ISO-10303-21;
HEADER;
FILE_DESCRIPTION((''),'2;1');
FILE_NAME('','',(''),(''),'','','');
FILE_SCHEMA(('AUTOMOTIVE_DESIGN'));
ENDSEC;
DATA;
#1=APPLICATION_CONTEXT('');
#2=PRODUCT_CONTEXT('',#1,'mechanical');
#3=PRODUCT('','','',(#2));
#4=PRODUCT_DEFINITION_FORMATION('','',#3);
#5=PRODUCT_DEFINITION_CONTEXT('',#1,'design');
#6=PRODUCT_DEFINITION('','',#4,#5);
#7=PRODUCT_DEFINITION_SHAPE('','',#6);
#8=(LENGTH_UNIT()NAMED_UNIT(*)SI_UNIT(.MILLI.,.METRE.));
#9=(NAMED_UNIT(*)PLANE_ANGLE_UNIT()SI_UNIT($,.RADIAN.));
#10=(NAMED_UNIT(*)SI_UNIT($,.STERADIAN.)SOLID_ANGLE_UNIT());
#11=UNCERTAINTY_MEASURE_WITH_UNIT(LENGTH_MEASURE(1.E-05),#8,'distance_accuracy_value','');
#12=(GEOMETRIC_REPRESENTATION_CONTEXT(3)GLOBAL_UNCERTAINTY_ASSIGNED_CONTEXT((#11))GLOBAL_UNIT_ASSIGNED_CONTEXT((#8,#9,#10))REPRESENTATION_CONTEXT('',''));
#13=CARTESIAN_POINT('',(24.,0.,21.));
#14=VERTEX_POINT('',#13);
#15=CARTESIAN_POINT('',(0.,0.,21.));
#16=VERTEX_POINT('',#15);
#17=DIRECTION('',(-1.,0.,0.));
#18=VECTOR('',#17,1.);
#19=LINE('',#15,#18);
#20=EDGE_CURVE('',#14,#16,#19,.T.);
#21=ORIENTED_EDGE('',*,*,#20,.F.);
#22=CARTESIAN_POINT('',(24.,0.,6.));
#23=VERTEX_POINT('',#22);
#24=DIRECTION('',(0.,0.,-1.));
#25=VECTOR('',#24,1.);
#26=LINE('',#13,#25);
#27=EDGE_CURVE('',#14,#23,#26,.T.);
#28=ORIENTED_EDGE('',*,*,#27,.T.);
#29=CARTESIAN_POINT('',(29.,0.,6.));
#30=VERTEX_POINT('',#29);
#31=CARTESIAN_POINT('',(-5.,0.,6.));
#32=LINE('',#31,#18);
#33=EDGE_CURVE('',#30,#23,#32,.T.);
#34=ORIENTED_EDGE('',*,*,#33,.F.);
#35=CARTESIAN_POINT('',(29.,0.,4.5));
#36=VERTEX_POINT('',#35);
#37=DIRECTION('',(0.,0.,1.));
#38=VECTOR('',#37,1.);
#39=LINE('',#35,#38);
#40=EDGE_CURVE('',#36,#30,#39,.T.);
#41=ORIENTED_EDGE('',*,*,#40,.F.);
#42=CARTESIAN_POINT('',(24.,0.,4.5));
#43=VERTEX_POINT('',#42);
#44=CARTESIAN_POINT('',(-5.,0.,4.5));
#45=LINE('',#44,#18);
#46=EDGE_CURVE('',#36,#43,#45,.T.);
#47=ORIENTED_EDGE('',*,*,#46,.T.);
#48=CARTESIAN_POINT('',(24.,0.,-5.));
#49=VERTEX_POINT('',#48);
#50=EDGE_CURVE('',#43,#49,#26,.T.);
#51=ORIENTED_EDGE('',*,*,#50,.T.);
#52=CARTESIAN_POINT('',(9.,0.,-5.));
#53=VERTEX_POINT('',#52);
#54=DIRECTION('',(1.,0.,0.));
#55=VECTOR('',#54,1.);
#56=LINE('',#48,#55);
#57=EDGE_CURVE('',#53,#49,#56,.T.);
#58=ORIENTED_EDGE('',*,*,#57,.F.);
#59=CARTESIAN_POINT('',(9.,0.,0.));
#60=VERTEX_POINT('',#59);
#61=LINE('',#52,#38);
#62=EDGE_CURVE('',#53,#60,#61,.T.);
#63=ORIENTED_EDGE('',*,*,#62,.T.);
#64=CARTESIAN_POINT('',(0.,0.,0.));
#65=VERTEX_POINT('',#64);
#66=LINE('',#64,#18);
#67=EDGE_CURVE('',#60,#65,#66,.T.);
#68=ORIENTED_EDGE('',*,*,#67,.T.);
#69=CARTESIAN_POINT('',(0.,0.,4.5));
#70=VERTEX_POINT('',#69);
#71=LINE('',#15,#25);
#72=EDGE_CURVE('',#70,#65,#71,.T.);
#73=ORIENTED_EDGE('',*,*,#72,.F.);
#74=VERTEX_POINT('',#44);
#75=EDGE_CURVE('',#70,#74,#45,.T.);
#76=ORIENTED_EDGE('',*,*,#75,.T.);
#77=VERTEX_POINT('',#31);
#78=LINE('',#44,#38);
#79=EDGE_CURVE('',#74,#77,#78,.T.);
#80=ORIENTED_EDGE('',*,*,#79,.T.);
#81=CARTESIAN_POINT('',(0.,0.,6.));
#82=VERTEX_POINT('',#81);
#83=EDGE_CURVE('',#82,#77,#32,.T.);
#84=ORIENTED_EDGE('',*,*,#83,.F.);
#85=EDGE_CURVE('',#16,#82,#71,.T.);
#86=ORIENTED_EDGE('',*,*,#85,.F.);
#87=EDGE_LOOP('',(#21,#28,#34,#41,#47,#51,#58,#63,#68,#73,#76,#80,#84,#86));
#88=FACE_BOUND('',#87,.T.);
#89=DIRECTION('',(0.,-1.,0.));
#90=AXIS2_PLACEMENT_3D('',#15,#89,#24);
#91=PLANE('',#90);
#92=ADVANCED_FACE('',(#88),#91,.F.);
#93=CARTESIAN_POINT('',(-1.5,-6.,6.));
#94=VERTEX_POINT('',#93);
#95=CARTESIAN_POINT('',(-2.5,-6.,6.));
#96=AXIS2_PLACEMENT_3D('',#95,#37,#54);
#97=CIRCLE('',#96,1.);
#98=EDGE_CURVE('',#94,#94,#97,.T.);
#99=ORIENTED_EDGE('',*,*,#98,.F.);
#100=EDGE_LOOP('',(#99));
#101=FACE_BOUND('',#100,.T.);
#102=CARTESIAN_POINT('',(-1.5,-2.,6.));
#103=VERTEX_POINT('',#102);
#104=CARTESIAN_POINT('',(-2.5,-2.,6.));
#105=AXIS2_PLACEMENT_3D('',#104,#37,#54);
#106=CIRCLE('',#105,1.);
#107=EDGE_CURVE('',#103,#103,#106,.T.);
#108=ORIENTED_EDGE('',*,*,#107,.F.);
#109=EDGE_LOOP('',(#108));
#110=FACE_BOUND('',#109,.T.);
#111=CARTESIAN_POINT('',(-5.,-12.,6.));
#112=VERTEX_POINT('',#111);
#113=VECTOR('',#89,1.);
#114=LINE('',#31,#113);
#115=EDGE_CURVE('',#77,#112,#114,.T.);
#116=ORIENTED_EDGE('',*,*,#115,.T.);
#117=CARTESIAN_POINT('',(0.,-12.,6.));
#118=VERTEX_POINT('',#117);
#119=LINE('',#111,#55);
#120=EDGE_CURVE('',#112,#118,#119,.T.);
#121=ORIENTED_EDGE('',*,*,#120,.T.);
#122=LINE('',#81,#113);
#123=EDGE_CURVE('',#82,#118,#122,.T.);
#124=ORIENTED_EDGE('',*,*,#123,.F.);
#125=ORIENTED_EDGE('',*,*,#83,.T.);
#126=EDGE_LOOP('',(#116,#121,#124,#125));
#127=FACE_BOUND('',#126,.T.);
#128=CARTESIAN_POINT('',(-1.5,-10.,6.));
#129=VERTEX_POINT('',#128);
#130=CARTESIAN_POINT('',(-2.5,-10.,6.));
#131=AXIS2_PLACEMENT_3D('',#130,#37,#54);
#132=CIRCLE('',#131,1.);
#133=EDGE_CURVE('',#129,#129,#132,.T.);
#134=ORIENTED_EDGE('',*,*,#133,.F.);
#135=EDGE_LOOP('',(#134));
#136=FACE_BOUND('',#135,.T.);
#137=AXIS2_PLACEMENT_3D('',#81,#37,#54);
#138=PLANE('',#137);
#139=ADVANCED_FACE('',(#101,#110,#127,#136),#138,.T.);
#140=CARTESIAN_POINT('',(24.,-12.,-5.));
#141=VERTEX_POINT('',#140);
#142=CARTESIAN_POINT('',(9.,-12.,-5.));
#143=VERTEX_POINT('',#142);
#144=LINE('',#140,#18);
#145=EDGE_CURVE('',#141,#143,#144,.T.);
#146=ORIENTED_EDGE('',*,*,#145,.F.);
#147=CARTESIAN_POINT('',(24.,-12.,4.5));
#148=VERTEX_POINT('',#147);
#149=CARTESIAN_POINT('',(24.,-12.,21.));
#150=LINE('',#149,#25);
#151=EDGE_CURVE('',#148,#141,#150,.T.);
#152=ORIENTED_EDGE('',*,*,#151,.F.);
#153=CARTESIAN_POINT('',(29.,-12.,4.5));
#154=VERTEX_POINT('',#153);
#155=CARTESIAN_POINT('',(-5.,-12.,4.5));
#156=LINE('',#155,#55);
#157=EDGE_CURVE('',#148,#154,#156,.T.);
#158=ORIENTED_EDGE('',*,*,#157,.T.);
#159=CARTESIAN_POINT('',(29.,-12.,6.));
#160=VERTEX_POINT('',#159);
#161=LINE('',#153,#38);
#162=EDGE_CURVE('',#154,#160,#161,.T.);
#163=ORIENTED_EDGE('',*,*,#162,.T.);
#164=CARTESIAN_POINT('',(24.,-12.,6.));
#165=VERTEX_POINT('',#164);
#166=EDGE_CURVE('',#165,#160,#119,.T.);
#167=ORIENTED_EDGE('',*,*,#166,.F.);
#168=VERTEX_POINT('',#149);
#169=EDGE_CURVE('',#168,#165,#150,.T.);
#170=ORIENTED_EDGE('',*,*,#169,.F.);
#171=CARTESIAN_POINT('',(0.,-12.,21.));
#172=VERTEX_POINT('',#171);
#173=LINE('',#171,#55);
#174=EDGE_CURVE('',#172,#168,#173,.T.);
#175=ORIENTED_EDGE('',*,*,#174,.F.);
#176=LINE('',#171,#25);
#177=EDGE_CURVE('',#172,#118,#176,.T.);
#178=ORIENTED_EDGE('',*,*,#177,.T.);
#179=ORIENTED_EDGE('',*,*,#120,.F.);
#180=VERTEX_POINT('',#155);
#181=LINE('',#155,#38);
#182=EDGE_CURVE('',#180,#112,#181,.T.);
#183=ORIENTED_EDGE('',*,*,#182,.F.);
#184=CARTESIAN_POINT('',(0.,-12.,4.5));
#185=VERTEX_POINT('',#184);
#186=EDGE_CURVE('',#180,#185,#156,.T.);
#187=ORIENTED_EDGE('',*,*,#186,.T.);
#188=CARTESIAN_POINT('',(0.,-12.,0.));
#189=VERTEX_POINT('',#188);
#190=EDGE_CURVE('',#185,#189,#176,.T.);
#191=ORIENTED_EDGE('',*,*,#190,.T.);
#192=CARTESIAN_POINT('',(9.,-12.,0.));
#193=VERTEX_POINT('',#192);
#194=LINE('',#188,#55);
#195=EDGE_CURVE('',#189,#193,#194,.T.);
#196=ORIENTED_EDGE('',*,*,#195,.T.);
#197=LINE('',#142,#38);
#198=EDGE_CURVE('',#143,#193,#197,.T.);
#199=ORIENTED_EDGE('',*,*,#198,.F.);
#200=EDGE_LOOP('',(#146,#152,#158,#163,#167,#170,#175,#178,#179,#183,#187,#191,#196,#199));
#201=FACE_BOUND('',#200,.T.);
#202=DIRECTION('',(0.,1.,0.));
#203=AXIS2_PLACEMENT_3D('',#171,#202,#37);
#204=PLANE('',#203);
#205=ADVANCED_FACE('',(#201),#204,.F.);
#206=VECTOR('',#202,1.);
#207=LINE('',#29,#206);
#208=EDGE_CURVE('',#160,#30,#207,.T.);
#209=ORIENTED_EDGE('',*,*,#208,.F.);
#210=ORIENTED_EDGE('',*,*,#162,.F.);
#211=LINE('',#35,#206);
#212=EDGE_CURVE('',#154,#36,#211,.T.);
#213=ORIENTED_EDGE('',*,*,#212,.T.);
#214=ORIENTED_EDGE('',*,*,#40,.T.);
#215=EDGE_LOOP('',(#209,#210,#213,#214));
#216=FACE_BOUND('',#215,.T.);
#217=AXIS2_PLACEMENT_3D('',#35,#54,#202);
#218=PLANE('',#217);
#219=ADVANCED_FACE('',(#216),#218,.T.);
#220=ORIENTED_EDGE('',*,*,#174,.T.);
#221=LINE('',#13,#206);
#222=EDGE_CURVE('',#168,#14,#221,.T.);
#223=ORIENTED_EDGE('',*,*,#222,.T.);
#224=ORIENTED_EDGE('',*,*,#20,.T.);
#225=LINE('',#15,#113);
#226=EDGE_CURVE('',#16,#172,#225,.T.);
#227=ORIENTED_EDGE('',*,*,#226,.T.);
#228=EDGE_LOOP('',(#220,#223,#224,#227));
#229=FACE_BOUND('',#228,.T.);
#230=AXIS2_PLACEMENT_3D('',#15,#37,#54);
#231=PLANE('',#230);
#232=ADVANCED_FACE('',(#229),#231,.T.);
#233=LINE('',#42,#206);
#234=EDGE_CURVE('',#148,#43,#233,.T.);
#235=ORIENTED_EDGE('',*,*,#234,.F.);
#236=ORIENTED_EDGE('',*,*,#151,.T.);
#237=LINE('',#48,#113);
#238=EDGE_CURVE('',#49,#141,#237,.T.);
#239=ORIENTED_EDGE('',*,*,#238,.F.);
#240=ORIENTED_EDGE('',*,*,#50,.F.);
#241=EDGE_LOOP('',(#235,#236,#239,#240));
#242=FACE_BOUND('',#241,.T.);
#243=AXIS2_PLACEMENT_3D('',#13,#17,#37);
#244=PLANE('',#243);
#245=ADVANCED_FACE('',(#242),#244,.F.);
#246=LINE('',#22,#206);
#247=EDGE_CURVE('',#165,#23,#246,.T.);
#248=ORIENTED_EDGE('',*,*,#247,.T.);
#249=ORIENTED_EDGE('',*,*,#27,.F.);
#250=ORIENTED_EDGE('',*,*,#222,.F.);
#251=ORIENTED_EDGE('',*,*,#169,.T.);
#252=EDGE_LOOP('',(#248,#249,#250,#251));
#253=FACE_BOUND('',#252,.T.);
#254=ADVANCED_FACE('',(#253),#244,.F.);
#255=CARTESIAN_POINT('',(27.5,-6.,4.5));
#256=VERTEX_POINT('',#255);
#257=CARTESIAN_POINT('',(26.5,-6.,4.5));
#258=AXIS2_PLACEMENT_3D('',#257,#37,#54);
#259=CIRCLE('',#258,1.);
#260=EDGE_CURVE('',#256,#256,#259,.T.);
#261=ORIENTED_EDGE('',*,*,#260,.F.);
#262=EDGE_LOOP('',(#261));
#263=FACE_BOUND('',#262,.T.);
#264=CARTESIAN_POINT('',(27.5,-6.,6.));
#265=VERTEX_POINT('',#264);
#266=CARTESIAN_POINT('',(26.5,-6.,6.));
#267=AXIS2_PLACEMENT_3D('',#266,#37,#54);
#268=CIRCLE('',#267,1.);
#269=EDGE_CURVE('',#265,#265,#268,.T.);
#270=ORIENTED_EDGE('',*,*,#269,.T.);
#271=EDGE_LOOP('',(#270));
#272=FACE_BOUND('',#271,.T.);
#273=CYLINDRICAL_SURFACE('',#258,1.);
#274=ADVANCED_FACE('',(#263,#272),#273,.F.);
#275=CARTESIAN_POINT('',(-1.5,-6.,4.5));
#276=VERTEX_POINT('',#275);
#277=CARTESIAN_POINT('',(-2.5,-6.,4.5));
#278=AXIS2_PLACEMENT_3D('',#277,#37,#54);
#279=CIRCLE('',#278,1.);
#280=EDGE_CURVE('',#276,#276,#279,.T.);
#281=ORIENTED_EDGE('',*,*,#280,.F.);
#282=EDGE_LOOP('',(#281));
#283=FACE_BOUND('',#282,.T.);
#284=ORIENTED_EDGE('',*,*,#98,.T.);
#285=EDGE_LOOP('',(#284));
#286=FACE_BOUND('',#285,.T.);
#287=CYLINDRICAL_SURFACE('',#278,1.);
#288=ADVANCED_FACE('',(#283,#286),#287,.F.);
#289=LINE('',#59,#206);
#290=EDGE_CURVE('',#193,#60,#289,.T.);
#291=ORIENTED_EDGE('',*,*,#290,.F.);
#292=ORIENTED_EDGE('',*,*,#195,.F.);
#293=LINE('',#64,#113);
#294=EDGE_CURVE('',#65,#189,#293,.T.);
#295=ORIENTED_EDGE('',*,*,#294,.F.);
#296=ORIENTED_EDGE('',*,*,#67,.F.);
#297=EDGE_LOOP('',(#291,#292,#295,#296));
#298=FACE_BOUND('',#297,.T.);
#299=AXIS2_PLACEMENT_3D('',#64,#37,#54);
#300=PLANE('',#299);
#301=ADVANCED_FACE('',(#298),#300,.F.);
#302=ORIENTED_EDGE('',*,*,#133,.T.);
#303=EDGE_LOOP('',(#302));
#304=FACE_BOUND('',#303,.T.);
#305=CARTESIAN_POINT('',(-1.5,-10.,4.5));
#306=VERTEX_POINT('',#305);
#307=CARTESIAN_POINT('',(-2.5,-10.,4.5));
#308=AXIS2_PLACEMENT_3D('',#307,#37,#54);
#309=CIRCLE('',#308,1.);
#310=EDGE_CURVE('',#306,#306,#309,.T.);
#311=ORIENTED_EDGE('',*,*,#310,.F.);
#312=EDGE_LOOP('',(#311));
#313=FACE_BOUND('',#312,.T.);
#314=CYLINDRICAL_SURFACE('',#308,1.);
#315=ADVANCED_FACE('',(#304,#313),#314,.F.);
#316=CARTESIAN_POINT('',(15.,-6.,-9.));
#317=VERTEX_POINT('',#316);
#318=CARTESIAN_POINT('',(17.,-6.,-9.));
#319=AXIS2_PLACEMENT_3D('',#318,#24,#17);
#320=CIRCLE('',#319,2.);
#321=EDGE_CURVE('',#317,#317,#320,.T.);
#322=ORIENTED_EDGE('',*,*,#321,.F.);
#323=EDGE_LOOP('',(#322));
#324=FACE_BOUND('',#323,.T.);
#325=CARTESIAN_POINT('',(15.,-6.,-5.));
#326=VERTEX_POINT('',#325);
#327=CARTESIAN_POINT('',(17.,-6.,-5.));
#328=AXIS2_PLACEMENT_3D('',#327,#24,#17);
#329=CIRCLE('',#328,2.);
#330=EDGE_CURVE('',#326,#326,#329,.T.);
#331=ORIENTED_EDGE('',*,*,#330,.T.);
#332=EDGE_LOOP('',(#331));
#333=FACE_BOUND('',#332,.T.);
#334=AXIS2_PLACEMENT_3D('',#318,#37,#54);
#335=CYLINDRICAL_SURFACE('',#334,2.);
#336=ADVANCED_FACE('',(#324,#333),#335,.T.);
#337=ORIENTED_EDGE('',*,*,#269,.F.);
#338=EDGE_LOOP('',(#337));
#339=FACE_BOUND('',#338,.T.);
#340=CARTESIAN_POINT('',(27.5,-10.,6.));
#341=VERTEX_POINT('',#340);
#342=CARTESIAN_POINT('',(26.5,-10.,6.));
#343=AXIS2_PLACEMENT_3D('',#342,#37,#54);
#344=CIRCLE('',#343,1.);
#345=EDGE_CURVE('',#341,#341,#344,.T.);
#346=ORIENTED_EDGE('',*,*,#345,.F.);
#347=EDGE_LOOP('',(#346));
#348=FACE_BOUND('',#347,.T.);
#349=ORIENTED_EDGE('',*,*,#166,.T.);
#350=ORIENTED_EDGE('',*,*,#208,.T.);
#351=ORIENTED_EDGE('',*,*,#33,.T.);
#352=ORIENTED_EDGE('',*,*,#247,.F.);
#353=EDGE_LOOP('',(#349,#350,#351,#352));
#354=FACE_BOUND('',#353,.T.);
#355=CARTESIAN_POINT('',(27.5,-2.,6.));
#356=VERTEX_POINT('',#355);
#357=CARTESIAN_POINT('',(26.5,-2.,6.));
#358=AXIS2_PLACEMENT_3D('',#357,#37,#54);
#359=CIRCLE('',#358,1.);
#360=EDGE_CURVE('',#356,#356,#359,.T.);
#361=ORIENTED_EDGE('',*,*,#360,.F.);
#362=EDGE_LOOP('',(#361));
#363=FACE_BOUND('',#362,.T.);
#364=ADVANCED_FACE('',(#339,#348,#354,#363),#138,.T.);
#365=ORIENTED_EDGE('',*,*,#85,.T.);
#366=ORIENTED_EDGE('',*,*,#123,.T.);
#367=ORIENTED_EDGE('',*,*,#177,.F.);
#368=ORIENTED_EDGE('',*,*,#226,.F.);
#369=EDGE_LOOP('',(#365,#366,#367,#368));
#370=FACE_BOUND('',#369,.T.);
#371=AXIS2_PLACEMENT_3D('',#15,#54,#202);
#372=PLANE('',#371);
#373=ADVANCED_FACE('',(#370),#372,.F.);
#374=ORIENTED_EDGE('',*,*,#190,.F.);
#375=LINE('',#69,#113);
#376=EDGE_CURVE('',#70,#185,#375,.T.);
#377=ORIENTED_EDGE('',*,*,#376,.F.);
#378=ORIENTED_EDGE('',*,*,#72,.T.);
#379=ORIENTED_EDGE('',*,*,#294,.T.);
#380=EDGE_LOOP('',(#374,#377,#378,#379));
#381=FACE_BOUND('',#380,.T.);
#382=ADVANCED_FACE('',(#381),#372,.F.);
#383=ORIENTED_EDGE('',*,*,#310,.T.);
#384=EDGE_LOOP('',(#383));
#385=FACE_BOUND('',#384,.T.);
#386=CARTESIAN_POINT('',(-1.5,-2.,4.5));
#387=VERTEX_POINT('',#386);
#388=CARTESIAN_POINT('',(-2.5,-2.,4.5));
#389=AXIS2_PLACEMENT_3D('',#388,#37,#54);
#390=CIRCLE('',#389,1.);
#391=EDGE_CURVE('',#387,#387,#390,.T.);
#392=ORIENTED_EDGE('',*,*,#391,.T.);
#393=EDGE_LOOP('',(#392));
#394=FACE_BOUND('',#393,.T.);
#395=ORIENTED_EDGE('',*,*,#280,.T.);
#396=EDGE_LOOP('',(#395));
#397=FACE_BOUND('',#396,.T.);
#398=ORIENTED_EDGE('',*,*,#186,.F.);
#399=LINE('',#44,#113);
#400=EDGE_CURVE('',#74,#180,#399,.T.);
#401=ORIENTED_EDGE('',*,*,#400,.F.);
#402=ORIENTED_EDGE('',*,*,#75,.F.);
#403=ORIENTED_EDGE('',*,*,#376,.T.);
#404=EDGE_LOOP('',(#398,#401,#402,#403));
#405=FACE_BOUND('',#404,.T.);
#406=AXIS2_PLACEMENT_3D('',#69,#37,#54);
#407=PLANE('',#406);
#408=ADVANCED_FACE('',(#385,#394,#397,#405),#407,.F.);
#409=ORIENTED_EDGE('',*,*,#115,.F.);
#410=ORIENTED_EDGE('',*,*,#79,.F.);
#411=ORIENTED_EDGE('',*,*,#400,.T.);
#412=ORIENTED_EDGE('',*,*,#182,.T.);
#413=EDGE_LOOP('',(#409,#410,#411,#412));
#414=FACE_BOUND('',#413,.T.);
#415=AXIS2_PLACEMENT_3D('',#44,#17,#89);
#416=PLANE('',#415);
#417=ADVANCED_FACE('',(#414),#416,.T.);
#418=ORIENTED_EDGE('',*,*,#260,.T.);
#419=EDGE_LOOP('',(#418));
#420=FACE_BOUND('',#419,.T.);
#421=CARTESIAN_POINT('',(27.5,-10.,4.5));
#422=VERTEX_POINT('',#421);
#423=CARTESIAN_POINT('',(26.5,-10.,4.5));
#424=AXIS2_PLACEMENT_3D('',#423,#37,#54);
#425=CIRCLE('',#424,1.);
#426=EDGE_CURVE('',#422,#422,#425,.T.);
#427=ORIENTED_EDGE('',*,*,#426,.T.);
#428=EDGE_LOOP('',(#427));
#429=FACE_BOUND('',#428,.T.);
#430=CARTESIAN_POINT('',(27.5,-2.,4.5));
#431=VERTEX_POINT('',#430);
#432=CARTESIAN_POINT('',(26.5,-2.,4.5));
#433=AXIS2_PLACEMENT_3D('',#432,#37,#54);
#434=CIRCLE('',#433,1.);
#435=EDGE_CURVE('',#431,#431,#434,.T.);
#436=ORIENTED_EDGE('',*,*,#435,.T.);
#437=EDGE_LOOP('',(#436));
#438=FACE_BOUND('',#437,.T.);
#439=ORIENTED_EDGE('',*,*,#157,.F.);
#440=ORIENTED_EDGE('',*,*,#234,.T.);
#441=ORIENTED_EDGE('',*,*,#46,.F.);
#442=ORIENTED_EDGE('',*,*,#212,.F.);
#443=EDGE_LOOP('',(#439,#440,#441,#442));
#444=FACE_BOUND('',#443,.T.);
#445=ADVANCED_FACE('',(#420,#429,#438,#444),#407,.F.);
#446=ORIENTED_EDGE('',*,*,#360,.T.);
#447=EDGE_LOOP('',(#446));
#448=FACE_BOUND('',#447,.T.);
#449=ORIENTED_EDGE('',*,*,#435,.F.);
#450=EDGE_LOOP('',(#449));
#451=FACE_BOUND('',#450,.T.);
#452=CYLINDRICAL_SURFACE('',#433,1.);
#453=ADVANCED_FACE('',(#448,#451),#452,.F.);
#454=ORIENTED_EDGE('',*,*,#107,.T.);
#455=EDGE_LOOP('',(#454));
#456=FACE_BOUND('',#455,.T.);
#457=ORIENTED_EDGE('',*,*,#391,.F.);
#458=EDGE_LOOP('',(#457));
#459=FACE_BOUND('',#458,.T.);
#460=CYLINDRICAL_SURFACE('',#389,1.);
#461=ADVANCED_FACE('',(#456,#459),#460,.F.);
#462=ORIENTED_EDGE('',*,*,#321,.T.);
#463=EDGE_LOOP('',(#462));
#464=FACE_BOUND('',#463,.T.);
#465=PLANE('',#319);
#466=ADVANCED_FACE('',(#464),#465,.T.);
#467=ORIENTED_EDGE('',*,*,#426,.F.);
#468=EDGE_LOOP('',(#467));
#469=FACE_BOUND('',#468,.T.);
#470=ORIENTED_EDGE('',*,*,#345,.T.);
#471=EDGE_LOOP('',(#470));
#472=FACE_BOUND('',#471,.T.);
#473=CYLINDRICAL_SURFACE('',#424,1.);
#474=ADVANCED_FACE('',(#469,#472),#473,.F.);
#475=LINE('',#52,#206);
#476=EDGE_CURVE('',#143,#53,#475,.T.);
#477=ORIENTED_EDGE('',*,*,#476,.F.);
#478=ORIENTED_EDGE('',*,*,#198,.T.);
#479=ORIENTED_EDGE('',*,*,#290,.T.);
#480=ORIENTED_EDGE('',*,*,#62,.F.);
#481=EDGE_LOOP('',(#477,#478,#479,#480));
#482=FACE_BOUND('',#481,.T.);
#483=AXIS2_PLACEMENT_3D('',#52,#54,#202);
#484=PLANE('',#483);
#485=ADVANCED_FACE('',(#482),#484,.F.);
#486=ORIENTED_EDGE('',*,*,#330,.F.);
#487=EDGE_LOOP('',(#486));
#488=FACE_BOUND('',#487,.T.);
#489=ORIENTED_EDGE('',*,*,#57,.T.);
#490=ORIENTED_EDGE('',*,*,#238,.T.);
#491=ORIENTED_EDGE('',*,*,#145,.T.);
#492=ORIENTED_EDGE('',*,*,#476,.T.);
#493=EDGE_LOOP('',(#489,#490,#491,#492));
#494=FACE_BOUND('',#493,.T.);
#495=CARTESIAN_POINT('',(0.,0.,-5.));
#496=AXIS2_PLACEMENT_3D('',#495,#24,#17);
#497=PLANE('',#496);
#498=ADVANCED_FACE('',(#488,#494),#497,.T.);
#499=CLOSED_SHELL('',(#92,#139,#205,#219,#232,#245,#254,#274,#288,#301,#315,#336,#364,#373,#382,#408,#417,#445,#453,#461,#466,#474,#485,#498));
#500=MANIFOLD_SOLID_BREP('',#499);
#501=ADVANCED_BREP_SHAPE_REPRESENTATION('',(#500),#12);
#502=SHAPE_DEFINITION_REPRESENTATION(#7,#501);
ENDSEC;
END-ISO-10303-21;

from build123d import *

# Parameters (mm, degrees)
SKETCH1_W           = 24
SKETCH1_H           = 12
BOSS_EXTRUDE1_DEPTH = 21
SKETCH2_W           = 34
SKETCH2_H           = 12
SKETCH2_R           = 1
BOSS_EXTRUDE2_DEPTH = 1.5
SKETCH3_W           = 15
SKETCH3_H           = 12
BOSS_EXTRUDE3_DEPTH = 5
SKETCH4_R           = 2
BOSS_EXTRUDE4_DEPTH = 4


with BuildPart() as part:
    # Sketch1 → Boss-Extrude1 (new body)
    with BuildSketch(Plane.XY):
        with Locations((12, -6)):
            Rectangle(SKETCH1_W, SKETCH1_H)
    extrude(amount=BOSS_EXTRUDE1_DEPTH)

    # Sketch2 → Boss-Extrude2 (add)
    with BuildSketch(Plane.XY.offset(6)):
        with Locations((12, -6)):
            Rectangle(SKETCH2_W, SKETCH2_H)
        with Locations((-2.5, -2)):
            Circle(SKETCH2_R, mode=Mode.SUBTRACT)
        with Locations((26.5, -2)):
            Circle(SKETCH2_R, mode=Mode.SUBTRACT)
        with Locations((26.5, -6)):
            Circle(SKETCH2_R, mode=Mode.SUBTRACT)
        with Locations((26.5, -10)):
            Circle(SKETCH2_R, mode=Mode.SUBTRACT)
        with Locations((-2.5, -6)):
            Circle(SKETCH2_R, mode=Mode.SUBTRACT)
        with Locations((-2.5, -10)):
            Circle(SKETCH2_R, mode=Mode.SUBTRACT)
    extrude(amount=-BOSS_EXTRUDE2_DEPTH)

    # Sketch3 → Boss-Extrude3 (add)
    with BuildSketch(Plane(origin=(0, 0, 0), x_dir=(-1, 0, 0), z_dir=(0, 0, -1))):
        with Locations((-16.5, -6)):
            Rectangle(SKETCH3_W, SKETCH3_H)
    extrude(amount=BOSS_EXTRUDE3_DEPTH)

    # Sketch4 → Boss-Extrude4 (add)
    with BuildSketch(Plane(origin=(0, 0, -5), x_dir=(-1, 0, 0), z_dir=(0, 0, -1))):
        with Locations((-17, -6)):
            Circle(SKETCH4_R)
    extrude(amount=BOSS_EXTRUDE4_DEPTH)


solid = part.part
